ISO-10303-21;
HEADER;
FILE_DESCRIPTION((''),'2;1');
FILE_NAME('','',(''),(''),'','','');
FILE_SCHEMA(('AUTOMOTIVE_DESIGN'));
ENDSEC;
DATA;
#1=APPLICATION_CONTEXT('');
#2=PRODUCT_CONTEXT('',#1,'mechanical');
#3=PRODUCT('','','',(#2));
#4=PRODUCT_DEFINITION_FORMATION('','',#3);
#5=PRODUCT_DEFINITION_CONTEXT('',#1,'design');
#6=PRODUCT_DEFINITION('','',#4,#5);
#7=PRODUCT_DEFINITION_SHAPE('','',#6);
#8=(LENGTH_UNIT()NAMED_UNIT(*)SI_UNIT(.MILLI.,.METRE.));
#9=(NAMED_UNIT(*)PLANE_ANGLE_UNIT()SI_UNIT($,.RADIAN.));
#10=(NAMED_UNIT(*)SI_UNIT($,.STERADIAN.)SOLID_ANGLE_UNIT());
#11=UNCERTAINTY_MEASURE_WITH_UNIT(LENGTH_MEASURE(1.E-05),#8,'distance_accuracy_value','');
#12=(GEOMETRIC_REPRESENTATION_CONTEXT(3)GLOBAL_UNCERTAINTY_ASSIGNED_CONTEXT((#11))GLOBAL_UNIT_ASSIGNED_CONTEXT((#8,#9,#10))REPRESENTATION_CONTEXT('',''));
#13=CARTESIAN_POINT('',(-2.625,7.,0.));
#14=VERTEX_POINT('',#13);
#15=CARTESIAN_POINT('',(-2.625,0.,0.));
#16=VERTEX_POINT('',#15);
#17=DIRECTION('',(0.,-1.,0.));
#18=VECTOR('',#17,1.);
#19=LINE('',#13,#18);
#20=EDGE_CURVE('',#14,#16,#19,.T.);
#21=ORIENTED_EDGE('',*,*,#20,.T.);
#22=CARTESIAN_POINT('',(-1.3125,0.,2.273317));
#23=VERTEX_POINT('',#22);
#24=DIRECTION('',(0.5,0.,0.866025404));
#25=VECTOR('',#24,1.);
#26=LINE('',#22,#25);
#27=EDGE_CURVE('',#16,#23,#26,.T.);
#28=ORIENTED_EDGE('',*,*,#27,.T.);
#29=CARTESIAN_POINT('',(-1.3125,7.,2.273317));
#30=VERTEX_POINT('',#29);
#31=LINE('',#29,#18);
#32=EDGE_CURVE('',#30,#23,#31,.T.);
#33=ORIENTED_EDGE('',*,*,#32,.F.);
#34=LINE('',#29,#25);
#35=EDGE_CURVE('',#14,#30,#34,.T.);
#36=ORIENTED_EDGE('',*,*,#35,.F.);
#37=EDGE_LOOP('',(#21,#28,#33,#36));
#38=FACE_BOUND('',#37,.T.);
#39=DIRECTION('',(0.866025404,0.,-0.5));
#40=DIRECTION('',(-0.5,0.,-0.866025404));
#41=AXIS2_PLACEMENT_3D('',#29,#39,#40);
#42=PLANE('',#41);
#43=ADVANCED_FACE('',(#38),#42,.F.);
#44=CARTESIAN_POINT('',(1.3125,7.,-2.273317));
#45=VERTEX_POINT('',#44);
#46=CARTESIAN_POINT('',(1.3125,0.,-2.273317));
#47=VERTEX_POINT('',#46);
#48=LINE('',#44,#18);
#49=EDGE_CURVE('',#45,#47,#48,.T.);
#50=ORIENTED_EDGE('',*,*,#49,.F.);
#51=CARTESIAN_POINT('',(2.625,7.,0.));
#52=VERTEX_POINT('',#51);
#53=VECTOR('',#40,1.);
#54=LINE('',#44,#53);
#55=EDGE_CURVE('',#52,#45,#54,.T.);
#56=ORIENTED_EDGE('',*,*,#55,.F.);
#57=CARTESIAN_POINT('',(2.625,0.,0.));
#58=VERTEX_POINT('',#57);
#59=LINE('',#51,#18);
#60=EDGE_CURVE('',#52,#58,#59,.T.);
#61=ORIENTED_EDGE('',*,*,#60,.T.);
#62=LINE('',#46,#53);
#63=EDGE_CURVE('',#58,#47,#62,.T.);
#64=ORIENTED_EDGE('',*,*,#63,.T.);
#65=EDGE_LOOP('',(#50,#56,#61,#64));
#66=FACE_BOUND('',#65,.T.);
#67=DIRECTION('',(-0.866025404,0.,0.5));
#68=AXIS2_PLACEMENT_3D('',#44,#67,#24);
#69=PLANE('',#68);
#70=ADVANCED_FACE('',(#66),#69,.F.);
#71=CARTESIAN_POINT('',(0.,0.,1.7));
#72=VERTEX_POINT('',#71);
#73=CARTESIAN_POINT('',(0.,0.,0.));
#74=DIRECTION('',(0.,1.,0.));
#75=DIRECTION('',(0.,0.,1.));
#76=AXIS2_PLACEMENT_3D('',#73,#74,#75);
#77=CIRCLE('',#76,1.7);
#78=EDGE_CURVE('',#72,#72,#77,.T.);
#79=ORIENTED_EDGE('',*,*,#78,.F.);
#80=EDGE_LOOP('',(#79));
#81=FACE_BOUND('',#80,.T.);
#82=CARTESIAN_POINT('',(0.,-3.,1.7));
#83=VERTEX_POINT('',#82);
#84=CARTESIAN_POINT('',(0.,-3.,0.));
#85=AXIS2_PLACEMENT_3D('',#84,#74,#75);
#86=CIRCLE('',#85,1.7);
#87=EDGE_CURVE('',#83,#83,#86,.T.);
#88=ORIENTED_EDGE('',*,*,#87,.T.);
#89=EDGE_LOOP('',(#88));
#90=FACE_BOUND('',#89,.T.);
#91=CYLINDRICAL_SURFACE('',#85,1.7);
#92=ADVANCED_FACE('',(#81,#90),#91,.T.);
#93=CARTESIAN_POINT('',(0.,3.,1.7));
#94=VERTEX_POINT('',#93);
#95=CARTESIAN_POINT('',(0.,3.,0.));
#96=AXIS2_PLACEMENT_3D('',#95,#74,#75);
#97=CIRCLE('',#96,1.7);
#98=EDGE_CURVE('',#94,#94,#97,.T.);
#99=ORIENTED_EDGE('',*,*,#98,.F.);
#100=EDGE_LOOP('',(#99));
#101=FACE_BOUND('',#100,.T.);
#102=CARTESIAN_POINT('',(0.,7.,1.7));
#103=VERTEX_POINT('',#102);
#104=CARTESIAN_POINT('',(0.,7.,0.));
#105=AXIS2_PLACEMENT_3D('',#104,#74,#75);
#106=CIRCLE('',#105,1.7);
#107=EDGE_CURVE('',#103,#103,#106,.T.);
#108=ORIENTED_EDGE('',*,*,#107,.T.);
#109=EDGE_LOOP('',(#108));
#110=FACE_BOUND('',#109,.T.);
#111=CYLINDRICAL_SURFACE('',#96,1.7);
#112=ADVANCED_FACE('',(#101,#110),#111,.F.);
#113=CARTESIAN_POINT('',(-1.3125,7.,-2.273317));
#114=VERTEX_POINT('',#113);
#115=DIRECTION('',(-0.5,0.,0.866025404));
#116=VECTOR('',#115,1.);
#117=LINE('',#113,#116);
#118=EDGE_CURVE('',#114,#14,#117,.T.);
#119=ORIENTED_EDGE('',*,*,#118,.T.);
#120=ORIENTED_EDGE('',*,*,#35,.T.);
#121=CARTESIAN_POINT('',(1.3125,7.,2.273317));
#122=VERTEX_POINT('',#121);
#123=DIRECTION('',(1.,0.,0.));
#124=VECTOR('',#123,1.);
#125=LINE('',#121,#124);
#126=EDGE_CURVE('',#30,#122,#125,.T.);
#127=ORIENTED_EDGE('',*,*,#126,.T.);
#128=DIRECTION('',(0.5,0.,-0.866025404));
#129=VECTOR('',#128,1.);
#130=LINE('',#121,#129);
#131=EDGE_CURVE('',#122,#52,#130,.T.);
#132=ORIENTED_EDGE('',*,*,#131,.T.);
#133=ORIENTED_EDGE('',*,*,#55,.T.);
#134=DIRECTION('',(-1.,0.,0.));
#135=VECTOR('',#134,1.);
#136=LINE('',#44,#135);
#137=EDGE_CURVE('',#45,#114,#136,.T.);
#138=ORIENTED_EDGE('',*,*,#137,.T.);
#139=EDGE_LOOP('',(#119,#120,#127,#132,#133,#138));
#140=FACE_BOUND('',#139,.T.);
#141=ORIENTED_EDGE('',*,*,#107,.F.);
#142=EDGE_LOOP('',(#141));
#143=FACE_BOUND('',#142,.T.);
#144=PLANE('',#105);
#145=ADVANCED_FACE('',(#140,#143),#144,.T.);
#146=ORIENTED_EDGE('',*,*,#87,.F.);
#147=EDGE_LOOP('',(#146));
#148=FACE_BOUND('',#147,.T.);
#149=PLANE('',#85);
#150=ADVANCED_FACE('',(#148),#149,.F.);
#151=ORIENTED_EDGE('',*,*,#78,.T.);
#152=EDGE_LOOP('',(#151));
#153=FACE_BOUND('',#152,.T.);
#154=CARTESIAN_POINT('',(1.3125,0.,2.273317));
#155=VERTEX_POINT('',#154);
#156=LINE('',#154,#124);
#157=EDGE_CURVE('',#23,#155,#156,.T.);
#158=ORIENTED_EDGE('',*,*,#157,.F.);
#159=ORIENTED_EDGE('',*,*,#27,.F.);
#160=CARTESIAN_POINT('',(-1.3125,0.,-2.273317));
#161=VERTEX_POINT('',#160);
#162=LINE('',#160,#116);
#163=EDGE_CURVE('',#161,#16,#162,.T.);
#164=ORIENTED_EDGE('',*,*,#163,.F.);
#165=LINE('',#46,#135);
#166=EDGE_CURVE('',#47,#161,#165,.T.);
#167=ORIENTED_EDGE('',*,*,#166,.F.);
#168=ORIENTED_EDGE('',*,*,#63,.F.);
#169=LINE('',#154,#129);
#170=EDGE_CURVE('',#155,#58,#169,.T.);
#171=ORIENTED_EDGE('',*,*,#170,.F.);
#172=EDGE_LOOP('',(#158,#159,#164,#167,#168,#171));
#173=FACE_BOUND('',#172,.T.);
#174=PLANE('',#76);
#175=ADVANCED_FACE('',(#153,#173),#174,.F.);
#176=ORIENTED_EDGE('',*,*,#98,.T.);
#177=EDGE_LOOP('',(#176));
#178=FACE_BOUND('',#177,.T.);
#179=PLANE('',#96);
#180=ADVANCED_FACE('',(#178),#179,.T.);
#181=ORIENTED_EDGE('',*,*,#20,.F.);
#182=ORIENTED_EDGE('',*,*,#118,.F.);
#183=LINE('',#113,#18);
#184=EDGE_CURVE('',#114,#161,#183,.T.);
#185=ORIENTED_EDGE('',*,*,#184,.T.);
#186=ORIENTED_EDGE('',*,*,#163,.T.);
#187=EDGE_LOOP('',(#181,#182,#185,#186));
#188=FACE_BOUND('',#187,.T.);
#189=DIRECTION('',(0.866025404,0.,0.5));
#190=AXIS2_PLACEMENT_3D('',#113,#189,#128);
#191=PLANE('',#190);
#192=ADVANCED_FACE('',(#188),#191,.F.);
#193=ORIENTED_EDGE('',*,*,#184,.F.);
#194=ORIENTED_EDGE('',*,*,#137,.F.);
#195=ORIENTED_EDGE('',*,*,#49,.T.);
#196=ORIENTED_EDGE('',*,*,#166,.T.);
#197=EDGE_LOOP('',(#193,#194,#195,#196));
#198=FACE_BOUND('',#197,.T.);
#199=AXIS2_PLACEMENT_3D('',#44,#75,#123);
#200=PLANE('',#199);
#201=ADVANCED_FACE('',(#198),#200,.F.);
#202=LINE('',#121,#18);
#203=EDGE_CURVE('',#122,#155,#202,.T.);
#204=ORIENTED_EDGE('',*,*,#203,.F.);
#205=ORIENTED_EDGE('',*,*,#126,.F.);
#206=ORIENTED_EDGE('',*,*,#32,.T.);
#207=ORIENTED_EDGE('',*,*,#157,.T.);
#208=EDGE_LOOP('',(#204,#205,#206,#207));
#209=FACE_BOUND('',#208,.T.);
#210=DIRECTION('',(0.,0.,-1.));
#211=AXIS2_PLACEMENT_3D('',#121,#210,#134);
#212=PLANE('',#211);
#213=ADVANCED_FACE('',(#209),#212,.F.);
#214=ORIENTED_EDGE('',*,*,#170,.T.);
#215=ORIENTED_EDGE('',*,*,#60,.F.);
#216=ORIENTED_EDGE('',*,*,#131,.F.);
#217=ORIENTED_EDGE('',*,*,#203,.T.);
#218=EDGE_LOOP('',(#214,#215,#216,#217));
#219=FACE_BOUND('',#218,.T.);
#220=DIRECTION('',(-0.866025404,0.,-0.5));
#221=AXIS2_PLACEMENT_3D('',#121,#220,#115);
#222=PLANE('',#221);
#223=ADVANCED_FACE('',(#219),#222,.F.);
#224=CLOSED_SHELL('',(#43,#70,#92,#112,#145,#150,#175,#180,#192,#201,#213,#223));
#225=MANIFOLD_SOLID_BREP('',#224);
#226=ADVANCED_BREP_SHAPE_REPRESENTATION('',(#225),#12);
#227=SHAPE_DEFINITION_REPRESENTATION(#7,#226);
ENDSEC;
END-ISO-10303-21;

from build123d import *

# Parameters (mm, degrees)
EXTRUDE_1_DEPTH     = 7
SKETCH_2_R          = 1.7
EXTRUDE_2_DEPTH     = 3
SKETCH_3_R          = 1.7
CUT_EXTRUDE_1_DEPTH = 4


with BuildPart() as part:
    # 草图1 → 凸台-拉伸1 (new body)
    with BuildSketch(Plane(origin=(0, 0, 0), x_dir=(1, 0, 0), z_dir=(0, 1, 0))):
        Polygon((1.3125, -2.273316685), (2.625, 0), (1.3125, 2.273316685), (-1.3125, 2.273316685), (-2.625, 0), (-1.3125, -2.273316685), align=None)
    extrude(amount=EXTRUDE_1_DEPTH)

    # 草图2 → 凸台-拉伸2 (add)
    with BuildSketch(Plane(origin=(0, 0, 0), x_dir=(1, 0, 0), z_dir=(0, 1, 0))):
        with Locations(Location((0, 0, 0), (0, 0, 270))):
            Circle(SKETCH_2_R)
    extrude(amount=-EXTRUDE_2_DEPTH)

    # 草图3 → 切除-拉伸1 (cut)
    with BuildSketch(Plane(origin=(0, 7, 0), x_dir=(1, 0, 0), z_dir=(0, 1, 0))):
        with Locations(Location((0, 0, 0), (0, 0, 270))):
            Circle(SKETCH_3_R)
    extrude(amount=-CUT_EXTRUDE_1_DEPTH, mode=Mode.SUBTRACT)


solid = part.part
